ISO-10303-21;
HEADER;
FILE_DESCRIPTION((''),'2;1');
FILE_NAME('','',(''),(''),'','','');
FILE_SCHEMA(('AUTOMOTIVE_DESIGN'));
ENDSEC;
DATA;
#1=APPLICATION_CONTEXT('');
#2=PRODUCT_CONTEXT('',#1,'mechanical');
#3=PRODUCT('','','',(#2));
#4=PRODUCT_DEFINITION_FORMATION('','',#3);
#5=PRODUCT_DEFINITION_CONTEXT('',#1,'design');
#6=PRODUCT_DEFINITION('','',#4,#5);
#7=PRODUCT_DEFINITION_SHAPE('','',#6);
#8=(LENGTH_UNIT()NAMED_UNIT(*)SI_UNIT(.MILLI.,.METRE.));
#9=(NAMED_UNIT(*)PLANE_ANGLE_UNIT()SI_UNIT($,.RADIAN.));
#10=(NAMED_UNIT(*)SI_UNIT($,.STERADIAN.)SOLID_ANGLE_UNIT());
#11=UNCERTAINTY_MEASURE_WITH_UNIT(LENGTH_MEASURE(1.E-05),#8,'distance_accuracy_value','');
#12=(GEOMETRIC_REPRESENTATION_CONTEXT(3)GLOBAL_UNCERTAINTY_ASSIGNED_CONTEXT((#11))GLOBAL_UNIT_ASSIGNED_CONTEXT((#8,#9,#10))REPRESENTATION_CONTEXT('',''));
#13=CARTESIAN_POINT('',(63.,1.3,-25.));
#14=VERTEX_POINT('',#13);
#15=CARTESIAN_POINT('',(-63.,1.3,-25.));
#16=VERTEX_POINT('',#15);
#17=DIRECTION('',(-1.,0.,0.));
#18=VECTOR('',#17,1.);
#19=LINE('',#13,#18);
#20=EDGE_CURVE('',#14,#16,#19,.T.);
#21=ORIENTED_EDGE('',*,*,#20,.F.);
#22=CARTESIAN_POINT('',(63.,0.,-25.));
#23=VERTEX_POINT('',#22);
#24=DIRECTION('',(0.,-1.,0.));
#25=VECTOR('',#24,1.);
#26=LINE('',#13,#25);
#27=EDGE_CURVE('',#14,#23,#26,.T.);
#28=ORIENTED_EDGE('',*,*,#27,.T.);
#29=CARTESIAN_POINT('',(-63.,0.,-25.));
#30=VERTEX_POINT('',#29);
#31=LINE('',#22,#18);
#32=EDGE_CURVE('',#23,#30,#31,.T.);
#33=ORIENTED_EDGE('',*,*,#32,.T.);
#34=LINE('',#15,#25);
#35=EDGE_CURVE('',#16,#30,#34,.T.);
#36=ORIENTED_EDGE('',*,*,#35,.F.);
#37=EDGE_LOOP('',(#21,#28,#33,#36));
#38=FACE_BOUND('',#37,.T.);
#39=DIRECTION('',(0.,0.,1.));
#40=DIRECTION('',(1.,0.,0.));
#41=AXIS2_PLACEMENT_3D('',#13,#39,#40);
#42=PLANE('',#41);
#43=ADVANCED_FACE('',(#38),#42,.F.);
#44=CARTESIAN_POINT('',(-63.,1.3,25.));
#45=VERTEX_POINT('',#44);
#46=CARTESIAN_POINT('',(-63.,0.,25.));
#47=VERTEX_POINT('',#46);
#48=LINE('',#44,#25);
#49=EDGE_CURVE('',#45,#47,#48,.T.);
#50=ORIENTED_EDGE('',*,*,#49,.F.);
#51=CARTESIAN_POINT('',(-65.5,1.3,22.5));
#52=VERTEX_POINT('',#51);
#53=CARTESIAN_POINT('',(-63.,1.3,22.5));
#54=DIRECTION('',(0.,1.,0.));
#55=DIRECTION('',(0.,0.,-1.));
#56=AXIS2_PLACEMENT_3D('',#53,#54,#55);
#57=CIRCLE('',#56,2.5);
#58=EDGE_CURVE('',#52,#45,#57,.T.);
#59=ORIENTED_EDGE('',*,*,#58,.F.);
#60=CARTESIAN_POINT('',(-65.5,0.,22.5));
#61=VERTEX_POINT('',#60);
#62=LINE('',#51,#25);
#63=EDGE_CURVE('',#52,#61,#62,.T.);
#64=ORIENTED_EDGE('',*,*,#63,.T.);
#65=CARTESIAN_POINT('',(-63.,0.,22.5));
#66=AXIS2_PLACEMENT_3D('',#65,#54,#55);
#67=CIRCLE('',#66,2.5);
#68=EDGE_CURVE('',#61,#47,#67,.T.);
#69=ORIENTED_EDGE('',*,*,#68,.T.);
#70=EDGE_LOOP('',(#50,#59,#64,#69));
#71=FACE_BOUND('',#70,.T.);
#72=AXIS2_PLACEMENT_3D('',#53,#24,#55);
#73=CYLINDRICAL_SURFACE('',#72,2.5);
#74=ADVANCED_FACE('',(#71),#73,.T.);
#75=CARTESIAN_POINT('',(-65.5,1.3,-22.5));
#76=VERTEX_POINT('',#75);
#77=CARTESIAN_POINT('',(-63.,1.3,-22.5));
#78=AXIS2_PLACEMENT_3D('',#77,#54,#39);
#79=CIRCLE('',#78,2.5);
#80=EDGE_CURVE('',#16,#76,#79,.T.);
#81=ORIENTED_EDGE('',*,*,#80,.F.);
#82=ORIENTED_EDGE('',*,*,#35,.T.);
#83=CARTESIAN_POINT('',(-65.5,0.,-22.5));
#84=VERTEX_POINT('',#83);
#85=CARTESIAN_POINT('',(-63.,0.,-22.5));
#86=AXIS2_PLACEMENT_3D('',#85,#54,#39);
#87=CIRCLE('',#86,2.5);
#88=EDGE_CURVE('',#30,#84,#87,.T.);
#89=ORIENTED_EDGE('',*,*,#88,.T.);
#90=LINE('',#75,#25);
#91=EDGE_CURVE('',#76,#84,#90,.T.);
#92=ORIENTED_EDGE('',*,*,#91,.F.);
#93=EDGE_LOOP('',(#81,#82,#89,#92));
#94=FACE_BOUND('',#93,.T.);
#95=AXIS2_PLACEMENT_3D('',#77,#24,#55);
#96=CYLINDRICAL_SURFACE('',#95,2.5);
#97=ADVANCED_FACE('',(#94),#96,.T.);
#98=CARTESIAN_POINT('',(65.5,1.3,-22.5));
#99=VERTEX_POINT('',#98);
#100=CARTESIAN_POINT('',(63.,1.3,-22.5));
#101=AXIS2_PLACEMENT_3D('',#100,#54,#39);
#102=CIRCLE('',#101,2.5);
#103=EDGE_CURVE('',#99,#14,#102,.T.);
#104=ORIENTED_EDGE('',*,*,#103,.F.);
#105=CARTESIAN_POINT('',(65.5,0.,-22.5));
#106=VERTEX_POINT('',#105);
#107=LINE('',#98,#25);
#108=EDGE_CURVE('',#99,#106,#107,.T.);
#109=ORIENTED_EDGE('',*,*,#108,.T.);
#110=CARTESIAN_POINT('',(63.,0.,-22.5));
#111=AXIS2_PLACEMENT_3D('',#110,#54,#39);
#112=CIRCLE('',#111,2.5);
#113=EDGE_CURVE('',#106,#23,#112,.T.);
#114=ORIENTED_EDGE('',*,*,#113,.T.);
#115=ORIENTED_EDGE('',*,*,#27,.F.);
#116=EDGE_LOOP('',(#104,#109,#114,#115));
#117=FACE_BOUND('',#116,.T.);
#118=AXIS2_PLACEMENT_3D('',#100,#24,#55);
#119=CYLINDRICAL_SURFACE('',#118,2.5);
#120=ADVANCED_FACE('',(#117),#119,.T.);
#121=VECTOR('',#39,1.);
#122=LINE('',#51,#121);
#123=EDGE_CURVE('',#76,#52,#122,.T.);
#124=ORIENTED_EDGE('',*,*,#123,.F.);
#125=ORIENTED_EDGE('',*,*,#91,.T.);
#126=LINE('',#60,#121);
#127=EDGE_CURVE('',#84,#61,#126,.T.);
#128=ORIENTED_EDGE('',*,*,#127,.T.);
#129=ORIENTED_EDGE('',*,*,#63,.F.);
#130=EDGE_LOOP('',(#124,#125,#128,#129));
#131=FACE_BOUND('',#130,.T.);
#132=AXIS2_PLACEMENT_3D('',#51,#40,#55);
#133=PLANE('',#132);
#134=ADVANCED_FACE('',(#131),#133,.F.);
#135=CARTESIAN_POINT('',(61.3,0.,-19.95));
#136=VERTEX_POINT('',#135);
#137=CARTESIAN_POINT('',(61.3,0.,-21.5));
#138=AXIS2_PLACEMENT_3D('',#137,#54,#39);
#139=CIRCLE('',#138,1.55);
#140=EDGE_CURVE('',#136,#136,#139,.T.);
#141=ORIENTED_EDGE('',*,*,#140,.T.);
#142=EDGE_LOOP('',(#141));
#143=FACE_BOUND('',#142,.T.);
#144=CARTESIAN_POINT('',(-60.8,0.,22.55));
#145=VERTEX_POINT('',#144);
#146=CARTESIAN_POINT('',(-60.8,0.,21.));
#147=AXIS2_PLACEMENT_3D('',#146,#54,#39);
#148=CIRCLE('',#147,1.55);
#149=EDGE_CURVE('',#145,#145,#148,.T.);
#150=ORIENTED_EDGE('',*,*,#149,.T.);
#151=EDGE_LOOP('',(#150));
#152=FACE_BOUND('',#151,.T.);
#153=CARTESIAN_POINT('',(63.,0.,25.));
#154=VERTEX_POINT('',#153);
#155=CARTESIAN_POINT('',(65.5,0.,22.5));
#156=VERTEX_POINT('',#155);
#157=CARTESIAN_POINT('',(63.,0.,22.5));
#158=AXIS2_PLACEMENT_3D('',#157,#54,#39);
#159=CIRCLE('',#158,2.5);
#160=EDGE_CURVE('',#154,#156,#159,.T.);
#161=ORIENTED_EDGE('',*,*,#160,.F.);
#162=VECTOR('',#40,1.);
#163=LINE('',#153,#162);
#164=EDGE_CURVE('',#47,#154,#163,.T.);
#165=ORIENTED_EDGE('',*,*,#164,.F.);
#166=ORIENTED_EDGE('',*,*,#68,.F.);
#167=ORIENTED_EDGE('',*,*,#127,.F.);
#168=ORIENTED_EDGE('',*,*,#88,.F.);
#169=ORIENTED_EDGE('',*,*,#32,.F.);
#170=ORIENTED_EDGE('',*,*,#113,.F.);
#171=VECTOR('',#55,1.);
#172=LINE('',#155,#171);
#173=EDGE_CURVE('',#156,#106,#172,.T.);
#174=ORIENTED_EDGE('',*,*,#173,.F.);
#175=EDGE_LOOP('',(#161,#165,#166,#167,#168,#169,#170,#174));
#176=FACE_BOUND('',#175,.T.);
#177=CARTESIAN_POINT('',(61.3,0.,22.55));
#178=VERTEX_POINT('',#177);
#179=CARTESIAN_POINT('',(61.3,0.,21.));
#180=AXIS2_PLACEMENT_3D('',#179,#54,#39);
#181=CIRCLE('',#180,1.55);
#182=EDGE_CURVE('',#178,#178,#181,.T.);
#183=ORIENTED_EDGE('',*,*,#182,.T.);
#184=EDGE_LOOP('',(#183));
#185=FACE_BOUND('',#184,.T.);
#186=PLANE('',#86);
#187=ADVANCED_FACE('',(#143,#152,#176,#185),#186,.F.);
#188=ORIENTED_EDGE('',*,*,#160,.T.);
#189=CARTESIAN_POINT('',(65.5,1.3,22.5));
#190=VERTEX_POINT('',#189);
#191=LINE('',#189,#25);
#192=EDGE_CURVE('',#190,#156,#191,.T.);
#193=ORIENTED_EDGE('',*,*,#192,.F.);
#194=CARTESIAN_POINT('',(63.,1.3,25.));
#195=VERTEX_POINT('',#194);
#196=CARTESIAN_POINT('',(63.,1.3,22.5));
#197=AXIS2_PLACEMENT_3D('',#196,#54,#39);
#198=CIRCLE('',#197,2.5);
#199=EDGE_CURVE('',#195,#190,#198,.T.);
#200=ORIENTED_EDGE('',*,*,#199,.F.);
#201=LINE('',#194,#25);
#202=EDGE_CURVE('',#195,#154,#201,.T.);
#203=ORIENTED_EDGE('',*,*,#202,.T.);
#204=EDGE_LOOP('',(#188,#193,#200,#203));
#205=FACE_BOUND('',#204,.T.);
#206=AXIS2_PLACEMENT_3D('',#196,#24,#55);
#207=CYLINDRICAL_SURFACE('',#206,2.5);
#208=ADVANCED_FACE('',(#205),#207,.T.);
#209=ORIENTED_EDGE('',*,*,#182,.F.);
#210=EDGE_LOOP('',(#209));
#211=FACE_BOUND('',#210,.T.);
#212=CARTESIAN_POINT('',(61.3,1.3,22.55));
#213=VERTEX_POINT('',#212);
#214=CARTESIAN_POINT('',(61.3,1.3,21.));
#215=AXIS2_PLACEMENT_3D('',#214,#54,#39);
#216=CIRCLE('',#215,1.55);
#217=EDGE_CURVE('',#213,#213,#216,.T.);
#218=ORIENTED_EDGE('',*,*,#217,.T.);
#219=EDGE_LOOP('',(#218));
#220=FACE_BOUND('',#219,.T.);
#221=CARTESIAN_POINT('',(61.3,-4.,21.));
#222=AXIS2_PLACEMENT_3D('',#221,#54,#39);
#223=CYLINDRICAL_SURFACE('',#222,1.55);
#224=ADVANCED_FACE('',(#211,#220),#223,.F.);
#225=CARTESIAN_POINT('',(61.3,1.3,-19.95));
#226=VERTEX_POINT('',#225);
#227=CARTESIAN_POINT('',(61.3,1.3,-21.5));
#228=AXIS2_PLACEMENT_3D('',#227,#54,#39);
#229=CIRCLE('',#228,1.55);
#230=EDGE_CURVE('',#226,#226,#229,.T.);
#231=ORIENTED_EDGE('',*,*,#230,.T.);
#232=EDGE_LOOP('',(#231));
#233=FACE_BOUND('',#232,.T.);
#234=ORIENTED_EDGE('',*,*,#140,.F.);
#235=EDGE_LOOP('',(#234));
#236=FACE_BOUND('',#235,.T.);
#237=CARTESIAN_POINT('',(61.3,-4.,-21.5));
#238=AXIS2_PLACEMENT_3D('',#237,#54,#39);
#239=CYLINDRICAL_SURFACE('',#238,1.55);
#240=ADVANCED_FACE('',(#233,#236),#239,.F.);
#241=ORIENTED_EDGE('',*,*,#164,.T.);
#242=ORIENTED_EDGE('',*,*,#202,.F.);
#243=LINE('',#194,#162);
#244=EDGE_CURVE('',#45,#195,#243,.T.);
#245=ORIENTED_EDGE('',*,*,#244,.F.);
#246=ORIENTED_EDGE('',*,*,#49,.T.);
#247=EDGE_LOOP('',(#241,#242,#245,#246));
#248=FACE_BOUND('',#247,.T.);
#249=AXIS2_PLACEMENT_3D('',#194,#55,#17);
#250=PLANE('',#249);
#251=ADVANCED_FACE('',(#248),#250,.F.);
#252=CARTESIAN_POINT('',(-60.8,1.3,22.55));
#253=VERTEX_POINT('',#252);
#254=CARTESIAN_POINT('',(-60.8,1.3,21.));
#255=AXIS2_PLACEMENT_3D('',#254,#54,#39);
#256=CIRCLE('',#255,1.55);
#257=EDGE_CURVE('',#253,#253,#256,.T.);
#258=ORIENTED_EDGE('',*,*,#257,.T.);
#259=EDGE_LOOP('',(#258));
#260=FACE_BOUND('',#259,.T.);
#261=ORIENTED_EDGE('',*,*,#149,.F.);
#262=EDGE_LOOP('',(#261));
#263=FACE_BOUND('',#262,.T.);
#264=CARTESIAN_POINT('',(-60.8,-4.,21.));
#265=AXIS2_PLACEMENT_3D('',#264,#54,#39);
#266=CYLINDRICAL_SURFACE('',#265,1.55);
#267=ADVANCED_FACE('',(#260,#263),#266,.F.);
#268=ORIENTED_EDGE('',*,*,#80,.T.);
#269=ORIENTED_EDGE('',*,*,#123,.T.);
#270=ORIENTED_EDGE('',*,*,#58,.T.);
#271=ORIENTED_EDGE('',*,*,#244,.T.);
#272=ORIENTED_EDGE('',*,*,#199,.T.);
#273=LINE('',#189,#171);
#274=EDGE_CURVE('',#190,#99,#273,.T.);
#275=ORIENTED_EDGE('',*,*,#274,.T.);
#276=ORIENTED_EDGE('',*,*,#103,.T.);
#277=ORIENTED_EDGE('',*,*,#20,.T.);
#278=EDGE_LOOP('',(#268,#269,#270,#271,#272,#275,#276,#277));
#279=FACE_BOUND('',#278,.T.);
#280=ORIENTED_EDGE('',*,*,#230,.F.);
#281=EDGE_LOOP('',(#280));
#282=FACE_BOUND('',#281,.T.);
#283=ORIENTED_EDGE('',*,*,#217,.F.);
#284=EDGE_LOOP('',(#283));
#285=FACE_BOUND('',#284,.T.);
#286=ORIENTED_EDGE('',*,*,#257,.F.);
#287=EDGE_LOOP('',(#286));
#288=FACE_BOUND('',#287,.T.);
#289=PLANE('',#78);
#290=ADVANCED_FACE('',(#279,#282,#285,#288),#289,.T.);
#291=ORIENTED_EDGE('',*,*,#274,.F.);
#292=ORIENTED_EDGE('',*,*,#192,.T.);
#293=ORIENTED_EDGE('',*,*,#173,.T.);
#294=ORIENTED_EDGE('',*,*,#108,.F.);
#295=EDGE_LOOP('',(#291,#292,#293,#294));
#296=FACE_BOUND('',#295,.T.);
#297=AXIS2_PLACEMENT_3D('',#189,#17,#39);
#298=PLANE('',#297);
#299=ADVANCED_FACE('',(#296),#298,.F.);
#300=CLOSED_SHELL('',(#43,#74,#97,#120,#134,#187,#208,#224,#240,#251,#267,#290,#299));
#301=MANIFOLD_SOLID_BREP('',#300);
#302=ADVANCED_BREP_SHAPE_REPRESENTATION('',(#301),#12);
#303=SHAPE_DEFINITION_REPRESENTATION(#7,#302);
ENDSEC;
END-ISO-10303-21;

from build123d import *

# Parameters (mm, degrees)
BOSS_EXTRUDE1_DEPTH = 1.3
SKETCH2_R           = 1.55
CUT_EXTRUDE1_DEPTH  = 5.3


with BuildPart() as part:
    # Sketch1 → Boss-Extrude1 (new body)
    with BuildSketch(Plane(origin=(0, 0, 0), x_dir=(1, 0, 0), z_dir=(0, 1, 0))):
        with BuildLine():
            Line((63, -25), (-63, -25))
            ThreePointArc((-63, -25), (-64.767766953, -24.267766953), (-65.5, -22.5))
            Line((-65.5, -22.5), (-65.5, 22.5))
            ThreePointArc((-65.5, 22.5), (-64.767766953, 24.267766953), (-63, 25))
            Line((-63, 25), (63, 25))
            ThreePointArc((63, 25), (64.767766953, 24.267766953), (65.5, 22.5))
            Line((65.5, 22.5), (65.5, -22.5))
            ThreePointArc((65.5, -22.5), (64.767766953, -24.267766953), (63, -25))
        make_face()
    extrude(amount=BOSS_EXTRUDE1_DEPTH)

    # Sketch2 → Cut-Extrude1 (cut)
    with BuildSketch(Plane(origin=(0, 1.3, 0), x_dir=(1, 0, 0), z_dir=(0, 1, 0))):
        with Locations(Location((-60.8, -21, 0), (0, 0, 270))):
            Circle(SKETCH2_R)
        with Locations(Location((61.3, 21.5, 0), (0, 0, 270))):
            Circle(SKETCH2_R)
        with Locations(Location((61.3, -21, 0), (0, 0, 270))):
            Circle(SKETCH2_R)
    extrude(amount=-CUT_EXTRUDE1_DEPTH, mode=Mode.SUBTRACT)


solid = part.part
